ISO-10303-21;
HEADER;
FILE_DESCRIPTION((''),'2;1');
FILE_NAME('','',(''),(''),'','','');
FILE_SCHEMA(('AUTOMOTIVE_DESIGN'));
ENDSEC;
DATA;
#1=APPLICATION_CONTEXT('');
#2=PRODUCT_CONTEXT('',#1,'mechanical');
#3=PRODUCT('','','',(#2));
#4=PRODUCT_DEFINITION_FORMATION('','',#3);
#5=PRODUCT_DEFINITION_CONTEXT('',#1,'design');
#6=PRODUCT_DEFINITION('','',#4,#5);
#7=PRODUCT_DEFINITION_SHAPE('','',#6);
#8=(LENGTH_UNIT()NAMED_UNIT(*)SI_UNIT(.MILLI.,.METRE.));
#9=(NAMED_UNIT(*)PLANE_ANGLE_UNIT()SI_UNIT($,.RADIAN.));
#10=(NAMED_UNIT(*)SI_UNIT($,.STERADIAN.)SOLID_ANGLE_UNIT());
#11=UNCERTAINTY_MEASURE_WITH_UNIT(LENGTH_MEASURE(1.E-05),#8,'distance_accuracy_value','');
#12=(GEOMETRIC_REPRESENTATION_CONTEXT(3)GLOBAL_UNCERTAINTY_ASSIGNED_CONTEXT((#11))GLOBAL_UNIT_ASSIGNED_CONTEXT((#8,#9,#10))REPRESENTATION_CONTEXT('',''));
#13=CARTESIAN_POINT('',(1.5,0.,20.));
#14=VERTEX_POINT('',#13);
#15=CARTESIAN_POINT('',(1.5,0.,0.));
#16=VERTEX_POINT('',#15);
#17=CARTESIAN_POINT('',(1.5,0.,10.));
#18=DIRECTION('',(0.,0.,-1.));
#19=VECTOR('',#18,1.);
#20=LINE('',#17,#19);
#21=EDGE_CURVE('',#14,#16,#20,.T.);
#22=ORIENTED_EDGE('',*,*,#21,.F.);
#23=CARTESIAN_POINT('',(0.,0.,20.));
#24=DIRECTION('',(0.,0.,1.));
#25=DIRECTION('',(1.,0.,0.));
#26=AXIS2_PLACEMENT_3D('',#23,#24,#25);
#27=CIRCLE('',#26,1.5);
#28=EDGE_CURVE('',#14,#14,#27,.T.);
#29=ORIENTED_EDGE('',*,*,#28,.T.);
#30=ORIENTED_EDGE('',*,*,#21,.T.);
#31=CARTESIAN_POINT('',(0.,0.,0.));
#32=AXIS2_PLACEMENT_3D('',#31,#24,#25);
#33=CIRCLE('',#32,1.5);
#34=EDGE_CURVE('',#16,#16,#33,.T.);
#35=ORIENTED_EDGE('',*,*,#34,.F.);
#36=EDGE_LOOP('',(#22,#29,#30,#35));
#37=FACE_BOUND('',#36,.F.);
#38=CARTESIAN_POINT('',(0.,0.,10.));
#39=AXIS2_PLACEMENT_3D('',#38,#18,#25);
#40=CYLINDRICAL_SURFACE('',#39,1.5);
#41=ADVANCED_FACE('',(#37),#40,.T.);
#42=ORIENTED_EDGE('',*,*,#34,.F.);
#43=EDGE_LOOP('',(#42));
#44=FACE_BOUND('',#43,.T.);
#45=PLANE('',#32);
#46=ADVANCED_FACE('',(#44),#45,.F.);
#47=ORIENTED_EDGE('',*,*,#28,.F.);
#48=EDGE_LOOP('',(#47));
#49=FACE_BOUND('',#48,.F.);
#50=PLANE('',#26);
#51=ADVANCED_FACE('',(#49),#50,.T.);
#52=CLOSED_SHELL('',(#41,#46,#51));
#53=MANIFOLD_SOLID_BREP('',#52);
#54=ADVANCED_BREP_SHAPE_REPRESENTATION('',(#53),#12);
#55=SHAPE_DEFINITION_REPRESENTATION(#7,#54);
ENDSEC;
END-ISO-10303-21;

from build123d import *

# Parameters (mm, degrees)
ESQUISSE1_W = 1.5
ESQUISSE1_H = 20


with BuildPart() as part:
    # Esquisse1 → Révolution1 (revolve)
    with BuildSketch(Plane(origin=(0, 0, 0), x_dir=(1, 0, 0), z_dir=(0, 1, 0))):
        with Locations((0.75, -10)):
            Rectangle(ESQUISSE1_W, ESQUISSE1_H)
    revolve(axis=Axis((0, 0, 0), (0, 0, 1)))


solid = part.part
